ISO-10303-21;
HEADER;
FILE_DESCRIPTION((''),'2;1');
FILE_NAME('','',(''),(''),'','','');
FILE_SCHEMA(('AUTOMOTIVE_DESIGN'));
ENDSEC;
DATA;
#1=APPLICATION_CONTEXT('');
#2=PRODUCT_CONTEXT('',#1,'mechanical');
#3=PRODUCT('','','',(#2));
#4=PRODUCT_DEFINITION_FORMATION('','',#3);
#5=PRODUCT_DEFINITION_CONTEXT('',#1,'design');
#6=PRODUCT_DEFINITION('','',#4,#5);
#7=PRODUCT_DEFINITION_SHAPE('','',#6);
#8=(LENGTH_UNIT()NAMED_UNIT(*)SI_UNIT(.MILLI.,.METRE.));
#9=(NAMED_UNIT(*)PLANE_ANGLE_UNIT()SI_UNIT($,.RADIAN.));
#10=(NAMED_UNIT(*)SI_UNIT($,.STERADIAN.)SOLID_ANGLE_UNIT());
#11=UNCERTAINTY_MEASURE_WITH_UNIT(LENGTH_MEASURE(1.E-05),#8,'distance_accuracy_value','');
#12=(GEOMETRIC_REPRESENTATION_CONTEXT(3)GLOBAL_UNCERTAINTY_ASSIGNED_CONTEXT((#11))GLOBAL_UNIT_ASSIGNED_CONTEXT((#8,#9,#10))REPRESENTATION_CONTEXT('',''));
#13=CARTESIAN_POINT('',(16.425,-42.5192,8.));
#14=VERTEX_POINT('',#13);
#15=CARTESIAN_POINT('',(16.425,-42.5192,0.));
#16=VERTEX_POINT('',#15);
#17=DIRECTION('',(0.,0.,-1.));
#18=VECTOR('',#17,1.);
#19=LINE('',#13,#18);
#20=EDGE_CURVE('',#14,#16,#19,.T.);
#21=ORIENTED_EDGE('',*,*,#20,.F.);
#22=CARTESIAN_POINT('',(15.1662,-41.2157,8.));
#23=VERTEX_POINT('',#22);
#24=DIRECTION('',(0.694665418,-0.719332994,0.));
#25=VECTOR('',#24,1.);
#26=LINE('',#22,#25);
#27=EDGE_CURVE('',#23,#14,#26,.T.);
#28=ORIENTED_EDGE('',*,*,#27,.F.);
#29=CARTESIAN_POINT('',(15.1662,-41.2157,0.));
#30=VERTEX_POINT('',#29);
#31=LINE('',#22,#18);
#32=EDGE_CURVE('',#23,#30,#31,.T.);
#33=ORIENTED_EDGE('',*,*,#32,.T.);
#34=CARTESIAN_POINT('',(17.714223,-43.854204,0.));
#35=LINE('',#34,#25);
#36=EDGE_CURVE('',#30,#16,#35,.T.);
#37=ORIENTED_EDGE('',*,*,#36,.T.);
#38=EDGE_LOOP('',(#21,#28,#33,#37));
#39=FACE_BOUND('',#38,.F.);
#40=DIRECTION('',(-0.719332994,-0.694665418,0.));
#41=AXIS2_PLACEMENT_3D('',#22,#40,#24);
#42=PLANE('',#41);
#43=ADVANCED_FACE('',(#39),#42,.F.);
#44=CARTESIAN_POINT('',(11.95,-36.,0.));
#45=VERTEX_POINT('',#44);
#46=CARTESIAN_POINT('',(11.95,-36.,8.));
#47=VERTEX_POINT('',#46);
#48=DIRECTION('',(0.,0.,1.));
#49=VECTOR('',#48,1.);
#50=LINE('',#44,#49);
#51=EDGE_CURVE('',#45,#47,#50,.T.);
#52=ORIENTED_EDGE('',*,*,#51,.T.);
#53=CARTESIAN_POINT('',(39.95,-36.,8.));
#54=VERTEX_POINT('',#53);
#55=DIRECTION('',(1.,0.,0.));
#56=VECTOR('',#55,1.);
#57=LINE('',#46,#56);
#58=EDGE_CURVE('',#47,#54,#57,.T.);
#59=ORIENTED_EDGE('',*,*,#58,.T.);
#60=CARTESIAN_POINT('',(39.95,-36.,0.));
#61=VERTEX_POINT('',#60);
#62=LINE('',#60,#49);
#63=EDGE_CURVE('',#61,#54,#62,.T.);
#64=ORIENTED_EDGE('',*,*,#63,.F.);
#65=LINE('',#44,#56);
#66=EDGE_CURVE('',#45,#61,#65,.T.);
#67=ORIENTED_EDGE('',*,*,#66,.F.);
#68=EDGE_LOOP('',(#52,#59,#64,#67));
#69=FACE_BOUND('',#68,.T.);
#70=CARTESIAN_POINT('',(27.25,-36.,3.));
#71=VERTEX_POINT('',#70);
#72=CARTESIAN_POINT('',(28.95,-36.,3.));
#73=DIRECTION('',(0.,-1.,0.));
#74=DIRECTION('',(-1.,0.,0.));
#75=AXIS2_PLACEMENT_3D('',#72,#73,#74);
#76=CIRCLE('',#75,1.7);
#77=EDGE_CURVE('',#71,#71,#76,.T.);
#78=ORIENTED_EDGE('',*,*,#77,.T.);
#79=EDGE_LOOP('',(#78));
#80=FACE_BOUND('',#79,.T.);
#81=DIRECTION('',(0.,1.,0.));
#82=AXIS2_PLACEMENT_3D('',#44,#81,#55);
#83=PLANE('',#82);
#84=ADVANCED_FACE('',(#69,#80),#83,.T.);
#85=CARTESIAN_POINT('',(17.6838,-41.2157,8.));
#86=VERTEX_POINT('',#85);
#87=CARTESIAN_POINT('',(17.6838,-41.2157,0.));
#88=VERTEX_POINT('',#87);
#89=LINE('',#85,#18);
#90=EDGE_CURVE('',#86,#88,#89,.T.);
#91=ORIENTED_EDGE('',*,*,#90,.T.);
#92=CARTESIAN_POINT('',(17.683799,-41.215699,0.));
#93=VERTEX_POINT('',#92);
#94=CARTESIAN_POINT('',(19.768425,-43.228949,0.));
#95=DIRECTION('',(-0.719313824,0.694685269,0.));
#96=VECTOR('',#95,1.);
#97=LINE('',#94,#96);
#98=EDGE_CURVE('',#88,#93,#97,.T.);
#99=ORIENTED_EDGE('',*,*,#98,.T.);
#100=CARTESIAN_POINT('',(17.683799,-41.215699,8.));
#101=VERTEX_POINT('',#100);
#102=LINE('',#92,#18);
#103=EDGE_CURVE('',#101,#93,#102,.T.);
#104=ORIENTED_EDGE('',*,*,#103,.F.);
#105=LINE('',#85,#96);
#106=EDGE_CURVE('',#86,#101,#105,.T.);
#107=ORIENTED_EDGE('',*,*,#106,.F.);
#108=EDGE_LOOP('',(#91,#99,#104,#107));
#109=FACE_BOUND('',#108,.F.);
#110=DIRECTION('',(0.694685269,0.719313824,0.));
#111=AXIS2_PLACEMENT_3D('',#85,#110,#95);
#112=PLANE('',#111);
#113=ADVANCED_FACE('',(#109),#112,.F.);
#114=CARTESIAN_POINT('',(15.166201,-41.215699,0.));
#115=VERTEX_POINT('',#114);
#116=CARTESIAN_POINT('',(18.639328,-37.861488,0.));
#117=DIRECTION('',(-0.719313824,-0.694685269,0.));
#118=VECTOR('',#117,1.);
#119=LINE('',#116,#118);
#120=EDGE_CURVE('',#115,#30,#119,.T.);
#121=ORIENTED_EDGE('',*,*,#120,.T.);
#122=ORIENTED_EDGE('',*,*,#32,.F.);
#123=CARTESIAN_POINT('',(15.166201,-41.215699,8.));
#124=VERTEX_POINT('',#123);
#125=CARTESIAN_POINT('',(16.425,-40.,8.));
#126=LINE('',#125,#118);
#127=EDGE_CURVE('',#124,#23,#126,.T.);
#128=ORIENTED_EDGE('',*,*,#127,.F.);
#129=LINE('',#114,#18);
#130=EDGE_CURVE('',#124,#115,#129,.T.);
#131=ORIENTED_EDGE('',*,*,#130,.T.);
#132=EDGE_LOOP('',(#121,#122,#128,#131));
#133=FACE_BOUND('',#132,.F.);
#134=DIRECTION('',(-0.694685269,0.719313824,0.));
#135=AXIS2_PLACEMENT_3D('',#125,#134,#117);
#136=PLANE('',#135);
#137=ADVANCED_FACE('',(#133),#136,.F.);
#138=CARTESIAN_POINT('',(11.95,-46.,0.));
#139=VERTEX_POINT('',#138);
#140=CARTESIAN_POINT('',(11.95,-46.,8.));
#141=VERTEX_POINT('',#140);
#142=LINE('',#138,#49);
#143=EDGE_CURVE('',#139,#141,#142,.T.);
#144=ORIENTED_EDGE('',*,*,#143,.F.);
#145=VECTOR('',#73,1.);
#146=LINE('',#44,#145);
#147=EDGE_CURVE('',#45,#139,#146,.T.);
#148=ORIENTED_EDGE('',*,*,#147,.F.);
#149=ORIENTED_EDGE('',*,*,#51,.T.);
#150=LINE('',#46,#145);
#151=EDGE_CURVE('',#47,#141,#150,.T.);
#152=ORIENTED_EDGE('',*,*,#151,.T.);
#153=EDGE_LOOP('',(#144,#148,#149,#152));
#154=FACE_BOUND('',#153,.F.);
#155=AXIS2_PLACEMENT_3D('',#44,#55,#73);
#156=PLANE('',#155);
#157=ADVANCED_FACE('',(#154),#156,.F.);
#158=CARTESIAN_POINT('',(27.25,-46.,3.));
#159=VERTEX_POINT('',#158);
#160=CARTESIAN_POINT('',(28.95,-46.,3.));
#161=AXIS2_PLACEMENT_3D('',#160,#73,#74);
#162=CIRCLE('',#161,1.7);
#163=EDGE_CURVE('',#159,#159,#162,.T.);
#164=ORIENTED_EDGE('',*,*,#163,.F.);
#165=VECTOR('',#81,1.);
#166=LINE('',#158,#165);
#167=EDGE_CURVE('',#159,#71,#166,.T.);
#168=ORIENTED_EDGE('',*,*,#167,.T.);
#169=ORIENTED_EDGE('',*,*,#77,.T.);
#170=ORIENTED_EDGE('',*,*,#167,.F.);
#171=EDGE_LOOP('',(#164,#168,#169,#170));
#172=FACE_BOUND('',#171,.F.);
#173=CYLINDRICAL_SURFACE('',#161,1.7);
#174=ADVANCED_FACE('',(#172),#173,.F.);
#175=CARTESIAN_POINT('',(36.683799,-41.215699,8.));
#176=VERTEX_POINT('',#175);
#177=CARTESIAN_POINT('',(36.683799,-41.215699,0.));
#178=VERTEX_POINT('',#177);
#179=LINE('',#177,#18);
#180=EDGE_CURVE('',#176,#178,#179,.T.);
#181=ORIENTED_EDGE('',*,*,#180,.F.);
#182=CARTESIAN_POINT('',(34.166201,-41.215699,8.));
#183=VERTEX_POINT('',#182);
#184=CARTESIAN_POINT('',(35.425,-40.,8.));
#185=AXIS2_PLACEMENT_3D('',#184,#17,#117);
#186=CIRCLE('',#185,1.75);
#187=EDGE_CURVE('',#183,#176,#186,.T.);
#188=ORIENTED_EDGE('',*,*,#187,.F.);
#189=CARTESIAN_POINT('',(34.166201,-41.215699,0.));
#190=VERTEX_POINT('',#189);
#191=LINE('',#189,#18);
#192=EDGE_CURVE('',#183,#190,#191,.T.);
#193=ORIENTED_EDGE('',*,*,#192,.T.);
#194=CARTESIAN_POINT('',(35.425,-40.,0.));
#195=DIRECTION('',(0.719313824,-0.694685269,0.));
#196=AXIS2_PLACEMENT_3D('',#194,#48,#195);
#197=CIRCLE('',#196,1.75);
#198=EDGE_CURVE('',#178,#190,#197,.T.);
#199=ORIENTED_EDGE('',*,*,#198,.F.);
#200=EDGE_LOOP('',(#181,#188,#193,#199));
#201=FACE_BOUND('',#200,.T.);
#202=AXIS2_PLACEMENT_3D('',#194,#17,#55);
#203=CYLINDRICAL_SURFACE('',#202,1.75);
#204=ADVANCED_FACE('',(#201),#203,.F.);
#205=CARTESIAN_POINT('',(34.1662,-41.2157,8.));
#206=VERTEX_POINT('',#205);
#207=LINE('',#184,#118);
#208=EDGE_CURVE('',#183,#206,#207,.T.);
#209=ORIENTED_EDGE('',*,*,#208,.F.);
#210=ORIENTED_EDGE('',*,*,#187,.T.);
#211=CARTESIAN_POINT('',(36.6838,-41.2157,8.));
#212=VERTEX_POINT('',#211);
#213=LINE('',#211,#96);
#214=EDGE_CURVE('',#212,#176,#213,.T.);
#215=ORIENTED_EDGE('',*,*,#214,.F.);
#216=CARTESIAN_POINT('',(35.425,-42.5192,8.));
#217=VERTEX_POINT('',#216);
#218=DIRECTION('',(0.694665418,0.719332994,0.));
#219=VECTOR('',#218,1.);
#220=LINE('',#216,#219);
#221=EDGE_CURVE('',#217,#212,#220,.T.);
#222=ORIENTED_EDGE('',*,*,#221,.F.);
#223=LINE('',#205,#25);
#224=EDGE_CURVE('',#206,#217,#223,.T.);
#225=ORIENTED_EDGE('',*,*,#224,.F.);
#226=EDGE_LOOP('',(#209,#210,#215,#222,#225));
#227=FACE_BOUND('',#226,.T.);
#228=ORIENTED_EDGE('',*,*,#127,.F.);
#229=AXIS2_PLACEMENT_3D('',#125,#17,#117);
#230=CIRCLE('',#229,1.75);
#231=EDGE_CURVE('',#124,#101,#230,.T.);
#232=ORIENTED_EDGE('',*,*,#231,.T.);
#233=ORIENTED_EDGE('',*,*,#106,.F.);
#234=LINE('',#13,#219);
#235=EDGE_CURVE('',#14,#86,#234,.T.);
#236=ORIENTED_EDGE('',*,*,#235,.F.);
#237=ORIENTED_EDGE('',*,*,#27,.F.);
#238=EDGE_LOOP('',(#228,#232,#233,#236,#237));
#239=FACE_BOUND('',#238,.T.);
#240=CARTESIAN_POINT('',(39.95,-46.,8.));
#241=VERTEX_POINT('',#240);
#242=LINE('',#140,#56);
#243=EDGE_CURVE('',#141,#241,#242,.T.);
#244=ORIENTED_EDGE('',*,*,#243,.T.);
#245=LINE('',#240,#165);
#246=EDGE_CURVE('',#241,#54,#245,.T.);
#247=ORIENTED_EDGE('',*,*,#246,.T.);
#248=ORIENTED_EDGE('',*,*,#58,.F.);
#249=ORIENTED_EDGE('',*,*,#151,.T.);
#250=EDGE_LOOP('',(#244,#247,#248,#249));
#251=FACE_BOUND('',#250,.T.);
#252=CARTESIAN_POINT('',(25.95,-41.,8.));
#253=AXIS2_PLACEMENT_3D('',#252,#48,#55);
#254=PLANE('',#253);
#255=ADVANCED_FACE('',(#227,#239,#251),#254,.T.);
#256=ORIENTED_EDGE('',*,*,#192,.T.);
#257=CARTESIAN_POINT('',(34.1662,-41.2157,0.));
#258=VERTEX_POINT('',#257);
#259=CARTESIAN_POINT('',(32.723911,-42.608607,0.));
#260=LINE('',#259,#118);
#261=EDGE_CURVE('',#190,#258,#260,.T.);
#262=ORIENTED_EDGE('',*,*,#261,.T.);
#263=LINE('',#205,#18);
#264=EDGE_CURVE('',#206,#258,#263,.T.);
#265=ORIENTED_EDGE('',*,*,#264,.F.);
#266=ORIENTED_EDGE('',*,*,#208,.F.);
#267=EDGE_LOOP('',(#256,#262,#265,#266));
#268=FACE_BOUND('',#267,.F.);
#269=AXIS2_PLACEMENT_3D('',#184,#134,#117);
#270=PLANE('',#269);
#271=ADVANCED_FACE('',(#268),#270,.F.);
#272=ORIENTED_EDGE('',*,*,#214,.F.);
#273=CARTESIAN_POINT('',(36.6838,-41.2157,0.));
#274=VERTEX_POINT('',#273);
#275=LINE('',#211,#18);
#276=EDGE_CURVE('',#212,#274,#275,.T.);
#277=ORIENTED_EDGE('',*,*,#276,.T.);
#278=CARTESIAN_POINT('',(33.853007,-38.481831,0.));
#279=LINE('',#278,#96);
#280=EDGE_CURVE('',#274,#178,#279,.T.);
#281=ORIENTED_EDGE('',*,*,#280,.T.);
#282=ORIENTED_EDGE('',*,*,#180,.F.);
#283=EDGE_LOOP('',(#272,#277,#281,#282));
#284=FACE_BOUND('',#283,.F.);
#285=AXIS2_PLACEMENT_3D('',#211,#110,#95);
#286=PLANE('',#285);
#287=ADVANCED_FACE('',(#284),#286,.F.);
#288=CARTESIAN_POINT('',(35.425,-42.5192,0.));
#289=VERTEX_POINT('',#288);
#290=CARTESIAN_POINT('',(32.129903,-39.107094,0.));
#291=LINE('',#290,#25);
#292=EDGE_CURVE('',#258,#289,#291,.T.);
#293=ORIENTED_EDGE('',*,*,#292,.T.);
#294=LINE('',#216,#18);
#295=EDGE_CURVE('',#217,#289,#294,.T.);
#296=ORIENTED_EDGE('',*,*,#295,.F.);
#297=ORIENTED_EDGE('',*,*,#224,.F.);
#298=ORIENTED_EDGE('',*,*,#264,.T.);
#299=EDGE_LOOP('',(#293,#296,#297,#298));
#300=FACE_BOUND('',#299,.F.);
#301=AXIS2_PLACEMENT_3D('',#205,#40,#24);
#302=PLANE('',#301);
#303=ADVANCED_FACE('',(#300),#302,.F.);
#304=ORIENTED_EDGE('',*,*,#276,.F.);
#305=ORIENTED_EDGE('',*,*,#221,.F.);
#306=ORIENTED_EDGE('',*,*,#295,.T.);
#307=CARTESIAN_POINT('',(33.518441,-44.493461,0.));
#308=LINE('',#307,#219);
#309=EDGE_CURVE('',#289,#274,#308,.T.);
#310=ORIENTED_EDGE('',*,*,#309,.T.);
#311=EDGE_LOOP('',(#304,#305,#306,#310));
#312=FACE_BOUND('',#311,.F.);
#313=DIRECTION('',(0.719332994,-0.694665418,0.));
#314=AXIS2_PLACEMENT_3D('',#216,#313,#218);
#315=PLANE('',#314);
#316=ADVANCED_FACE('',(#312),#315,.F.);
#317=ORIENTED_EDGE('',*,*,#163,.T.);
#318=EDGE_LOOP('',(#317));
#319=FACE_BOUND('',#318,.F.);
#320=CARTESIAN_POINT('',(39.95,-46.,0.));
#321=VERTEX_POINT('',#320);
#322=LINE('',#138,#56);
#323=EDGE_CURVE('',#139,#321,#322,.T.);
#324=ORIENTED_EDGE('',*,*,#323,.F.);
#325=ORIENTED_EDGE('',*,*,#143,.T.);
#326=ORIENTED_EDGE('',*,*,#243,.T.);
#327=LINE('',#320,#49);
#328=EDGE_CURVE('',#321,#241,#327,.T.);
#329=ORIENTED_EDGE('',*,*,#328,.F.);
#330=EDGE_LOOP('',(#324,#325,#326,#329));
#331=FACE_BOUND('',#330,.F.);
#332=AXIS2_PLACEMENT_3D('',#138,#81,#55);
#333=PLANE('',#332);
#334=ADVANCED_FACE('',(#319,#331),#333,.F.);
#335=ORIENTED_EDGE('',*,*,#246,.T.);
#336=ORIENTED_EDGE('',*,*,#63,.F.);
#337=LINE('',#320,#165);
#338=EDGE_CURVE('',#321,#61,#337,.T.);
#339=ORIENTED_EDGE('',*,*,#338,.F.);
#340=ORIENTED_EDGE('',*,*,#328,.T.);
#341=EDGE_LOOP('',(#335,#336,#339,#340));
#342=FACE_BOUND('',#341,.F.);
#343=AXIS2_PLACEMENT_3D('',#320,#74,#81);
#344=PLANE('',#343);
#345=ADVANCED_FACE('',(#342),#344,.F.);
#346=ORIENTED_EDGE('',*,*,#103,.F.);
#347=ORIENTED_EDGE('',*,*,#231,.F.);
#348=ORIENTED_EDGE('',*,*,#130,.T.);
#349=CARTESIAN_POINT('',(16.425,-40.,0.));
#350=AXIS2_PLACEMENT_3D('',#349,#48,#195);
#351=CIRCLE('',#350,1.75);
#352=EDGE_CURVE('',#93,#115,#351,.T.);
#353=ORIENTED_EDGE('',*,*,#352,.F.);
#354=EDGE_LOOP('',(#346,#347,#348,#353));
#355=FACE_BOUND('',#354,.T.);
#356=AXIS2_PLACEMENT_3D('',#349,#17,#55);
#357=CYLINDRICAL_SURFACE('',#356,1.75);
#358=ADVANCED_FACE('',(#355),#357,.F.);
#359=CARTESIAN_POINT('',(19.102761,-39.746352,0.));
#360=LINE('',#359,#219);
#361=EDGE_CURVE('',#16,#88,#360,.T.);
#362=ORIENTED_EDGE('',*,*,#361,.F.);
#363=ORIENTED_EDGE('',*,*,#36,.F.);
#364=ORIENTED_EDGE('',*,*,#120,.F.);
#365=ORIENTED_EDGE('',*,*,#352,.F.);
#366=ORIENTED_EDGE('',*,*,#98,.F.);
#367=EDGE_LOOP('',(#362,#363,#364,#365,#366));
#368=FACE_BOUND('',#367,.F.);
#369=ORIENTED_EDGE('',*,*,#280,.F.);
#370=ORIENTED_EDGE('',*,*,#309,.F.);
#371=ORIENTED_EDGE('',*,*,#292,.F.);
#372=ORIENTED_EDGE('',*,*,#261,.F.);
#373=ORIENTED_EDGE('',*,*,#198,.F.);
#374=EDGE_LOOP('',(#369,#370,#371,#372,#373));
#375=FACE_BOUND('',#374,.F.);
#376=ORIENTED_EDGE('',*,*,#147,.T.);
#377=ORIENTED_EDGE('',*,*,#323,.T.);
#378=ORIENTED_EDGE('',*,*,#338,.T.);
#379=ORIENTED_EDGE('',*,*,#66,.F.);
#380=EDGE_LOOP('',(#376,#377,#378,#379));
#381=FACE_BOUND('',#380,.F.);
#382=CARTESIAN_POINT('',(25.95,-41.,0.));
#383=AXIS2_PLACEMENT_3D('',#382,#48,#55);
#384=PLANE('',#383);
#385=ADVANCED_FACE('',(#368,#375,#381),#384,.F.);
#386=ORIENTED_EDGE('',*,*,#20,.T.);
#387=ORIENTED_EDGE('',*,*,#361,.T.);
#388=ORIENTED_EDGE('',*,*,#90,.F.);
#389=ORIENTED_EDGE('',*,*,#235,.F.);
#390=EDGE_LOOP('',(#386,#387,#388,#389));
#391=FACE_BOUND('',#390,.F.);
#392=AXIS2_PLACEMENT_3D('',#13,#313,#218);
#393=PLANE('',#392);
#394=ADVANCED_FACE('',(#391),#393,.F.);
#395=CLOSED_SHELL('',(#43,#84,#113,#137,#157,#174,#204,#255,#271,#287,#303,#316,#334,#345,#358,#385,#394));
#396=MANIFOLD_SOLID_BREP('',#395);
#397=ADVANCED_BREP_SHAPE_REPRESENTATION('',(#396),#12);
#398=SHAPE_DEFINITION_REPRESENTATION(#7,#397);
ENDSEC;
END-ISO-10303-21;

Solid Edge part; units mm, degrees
sketch "Sketch1" plane through (0, 0, 0) normal (0, 0, 1) x (1, 0, 0)
  circle A0 centre (35.425, -40) radius 1.75
  line L0 (11.95, -46) -> (39.95, -46)
  line L1 (39.95, -46) -> (39.95, -36)
  line L2 (11.95, -36) -> (39.95, -36)
  line L3 (11.95, -36) -> (11.95, -46)
  circle A1 centre (16.425, -40) radius 1.75
  dimension "D1" = 3.5
  dimension "D2" = 3.5
extrude "Protrusion1" add sketch "Sketch1" along normal blind 8
sketch "Sketch2" plane through (25.95, -46, 4) normal (0, -1, 0) x (-1, 0, 0)
  circle A0 centre (-3, 1) radius 1.7
  dimension "D1" = 3.4
  dimension "D2" = 5
  dimension "D3" = 11
extrude "Cutout1" cut sketch "Sketch2" against normal through all
sketch "Sketch3" plane through (25.95, -41, 8) normal (0, 0, 1) x (-1, 0, 0)
  line L0 (-9.475, -1) -> (-8.2162, 0.2157)
  line L1 (-8.2162, 0.2157) -> (-9.475, 1.5192)
  line L2 (-9.475, 1.5192) -> (-10.7338, 0.2157)
  line L3 (-10.7338, 0.2157) -> (-9.475, -1)
  line L4 (9.525, -1) -> (10.7838, 0.2157)
  line L5 (10.7838, 0.2157) -> (9.525, 1.5192)
  line L6 (9.525, 1.5192) -> (8.2662, 0.2157)
  line L7 (8.2662, 0.2157) -> (9.525, -1)
extrude "Cutout2" cut sketch "Sketch3" against normal through all
